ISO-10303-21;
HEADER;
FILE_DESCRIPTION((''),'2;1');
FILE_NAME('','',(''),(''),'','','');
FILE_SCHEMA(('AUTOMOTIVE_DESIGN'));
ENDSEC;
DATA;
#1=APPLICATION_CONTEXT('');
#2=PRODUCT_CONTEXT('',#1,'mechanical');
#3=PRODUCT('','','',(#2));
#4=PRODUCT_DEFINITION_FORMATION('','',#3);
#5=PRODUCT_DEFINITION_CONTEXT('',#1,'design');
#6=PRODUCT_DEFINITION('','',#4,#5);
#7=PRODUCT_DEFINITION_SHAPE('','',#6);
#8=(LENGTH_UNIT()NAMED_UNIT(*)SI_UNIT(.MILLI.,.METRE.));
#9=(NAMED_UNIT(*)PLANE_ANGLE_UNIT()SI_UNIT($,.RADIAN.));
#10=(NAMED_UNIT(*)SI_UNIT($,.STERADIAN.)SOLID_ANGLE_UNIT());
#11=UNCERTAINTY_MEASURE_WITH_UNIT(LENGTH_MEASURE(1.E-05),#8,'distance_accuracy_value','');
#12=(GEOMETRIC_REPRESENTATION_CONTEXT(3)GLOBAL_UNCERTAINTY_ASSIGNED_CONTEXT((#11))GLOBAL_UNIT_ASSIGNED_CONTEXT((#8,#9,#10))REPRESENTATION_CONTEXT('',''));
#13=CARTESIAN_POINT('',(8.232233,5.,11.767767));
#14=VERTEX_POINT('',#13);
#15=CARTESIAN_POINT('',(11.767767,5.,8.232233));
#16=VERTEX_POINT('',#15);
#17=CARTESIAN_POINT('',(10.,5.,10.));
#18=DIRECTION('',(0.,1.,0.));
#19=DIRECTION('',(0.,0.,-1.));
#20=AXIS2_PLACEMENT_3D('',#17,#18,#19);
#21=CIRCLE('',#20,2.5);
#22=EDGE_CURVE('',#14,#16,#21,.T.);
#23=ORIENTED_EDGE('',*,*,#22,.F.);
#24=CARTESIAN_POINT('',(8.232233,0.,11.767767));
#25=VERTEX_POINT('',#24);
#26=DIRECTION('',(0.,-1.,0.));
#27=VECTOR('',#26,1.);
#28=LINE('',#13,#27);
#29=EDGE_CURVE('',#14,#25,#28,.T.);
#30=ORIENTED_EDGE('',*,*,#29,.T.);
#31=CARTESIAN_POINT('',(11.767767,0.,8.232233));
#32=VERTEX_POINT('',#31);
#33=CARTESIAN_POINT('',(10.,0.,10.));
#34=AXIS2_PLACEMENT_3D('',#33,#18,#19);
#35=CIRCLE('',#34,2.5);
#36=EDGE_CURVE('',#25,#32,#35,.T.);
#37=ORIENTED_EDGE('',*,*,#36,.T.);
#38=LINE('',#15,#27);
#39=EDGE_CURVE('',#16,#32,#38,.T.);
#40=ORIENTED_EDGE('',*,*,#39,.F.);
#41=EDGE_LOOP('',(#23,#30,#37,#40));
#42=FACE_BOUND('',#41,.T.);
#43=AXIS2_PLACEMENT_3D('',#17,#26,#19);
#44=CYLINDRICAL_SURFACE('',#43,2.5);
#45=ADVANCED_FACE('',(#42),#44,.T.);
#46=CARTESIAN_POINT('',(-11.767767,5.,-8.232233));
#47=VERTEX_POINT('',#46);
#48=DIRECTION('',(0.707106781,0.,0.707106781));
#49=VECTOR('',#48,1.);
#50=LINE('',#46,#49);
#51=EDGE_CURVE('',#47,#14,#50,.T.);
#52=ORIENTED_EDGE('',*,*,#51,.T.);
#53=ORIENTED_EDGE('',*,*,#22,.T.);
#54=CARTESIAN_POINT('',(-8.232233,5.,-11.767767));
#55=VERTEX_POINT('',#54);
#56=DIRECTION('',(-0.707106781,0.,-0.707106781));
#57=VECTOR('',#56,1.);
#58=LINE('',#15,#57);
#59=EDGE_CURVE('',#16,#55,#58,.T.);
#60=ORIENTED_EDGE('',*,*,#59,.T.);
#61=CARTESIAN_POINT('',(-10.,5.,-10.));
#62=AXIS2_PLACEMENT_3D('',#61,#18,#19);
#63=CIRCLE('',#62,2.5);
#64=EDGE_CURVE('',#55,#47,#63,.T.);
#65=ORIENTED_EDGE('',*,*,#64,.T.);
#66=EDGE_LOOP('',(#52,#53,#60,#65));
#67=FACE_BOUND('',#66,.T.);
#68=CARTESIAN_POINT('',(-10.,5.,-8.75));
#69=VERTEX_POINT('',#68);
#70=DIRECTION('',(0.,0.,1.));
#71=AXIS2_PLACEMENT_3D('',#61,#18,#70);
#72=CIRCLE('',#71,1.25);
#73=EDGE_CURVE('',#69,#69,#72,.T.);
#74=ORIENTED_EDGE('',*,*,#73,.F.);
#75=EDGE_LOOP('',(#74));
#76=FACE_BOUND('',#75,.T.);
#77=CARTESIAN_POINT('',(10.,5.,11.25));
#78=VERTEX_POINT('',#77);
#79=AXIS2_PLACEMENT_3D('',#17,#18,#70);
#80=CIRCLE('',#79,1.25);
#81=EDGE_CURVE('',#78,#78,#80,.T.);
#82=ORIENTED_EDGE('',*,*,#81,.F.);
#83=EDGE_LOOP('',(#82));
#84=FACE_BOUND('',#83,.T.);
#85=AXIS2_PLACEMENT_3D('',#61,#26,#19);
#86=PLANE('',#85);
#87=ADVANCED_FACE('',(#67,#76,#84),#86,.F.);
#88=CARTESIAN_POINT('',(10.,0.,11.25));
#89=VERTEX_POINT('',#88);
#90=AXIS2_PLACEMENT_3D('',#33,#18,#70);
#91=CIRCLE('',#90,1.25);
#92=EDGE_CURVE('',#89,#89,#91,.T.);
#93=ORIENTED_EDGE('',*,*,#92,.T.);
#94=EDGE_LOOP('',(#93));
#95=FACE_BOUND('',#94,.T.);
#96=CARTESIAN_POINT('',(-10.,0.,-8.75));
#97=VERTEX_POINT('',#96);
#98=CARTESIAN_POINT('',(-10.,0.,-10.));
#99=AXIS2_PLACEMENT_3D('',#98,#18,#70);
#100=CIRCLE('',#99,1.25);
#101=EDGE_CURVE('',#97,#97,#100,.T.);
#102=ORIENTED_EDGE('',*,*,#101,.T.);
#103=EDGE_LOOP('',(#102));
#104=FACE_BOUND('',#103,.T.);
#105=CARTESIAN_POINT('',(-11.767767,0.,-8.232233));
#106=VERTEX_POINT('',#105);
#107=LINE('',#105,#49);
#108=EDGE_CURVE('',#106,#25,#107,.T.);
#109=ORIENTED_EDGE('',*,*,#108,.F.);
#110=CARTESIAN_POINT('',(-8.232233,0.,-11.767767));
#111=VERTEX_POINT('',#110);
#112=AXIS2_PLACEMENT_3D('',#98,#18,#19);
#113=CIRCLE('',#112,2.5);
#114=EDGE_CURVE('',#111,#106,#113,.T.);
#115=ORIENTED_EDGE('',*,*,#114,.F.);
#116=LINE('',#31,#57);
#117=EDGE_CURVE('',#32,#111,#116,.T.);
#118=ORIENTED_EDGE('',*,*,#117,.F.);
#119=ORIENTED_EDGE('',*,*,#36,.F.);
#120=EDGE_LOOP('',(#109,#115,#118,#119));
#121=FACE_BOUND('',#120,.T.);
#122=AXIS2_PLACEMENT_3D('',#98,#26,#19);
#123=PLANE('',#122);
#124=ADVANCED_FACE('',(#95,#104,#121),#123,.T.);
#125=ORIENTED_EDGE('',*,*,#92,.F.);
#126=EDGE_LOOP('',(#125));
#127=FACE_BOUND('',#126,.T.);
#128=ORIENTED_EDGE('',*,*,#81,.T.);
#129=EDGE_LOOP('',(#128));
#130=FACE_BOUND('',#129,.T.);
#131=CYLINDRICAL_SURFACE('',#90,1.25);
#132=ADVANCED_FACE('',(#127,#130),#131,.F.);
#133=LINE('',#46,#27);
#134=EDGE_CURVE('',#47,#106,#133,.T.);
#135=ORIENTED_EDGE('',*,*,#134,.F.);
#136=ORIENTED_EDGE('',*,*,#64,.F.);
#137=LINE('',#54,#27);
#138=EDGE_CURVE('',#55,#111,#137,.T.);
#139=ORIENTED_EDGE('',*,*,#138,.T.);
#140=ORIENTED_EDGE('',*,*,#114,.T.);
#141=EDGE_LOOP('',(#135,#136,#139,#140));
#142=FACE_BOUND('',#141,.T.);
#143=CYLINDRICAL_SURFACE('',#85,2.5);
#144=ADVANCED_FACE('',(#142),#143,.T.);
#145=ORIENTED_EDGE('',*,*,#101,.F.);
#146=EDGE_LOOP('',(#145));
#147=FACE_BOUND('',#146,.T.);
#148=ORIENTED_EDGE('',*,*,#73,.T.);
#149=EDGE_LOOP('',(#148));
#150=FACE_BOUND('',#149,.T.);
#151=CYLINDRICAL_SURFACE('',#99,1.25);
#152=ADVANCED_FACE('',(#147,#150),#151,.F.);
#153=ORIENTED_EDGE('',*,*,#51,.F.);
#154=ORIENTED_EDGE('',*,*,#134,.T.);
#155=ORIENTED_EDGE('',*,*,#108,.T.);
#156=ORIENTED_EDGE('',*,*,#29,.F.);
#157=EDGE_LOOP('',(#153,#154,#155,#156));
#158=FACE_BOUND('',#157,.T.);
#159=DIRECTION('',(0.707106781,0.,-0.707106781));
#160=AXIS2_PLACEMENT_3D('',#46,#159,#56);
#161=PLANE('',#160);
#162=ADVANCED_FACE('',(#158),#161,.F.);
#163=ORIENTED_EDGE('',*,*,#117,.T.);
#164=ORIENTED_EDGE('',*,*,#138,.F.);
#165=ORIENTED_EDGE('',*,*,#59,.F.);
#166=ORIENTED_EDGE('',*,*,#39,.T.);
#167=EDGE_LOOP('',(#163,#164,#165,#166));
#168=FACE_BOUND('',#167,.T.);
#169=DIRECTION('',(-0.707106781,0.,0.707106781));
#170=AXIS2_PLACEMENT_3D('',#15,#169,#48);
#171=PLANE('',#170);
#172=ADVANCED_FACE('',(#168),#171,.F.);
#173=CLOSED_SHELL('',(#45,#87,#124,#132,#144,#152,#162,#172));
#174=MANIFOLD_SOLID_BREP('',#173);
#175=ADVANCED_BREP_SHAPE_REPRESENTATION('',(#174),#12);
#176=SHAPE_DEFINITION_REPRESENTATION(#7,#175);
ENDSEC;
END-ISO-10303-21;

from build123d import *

# Parameters (mm, degrees)
BOSS_EXTRUDE1_DEPTH = 5
SKETCH2_R           = 1.25
CUT_EXTRUDE1_DEPTH  = 19.371173071


with BuildPart() as part:
    # Sketch1 → Boss-Extrude1 (new body)
    with BuildSketch(Plane(origin=(0, 0, 0), x_dir=(1, 0, 0), z_dir=(0, 1, 0))):
        with BuildLine():
            Line((-11.767766953, 8.232233047), (8.232233047, -11.767766953))
            ThreePointArc((8.232233047, -11.767766953), (11.767766953, -11.767766953), (11.767766953, -8.232233047))
            Line((11.767766953, -8.232233047), (-8.232233047, 11.767766953))
            ThreePointArc((-8.232233047, 11.767766953), (-11.767766953, 11.767766953), (-11.767766953, 8.232233047))
        make_face()
    extrude(amount=BOSS_EXTRUDE1_DEPTH)

    # Sketch2 → Cut-Extrude1 (cut, through all)
    with BuildSketch(Plane(origin=(0, 5, 0), x_dir=(1, 0, 0), z_dir=(0, 1, 0))):
        with Locations(Location((-10, 10, 0), (0, 0, 270))):
            Circle(SKETCH2_R)
        with Locations(Location((10, -10, 0), (0, 0, 270))):
            Circle(SKETCH2_R)
    extrude(amount=-CUT_EXTRUDE1_DEPTH, mode=Mode.SUBTRACT)


solid = part.part
